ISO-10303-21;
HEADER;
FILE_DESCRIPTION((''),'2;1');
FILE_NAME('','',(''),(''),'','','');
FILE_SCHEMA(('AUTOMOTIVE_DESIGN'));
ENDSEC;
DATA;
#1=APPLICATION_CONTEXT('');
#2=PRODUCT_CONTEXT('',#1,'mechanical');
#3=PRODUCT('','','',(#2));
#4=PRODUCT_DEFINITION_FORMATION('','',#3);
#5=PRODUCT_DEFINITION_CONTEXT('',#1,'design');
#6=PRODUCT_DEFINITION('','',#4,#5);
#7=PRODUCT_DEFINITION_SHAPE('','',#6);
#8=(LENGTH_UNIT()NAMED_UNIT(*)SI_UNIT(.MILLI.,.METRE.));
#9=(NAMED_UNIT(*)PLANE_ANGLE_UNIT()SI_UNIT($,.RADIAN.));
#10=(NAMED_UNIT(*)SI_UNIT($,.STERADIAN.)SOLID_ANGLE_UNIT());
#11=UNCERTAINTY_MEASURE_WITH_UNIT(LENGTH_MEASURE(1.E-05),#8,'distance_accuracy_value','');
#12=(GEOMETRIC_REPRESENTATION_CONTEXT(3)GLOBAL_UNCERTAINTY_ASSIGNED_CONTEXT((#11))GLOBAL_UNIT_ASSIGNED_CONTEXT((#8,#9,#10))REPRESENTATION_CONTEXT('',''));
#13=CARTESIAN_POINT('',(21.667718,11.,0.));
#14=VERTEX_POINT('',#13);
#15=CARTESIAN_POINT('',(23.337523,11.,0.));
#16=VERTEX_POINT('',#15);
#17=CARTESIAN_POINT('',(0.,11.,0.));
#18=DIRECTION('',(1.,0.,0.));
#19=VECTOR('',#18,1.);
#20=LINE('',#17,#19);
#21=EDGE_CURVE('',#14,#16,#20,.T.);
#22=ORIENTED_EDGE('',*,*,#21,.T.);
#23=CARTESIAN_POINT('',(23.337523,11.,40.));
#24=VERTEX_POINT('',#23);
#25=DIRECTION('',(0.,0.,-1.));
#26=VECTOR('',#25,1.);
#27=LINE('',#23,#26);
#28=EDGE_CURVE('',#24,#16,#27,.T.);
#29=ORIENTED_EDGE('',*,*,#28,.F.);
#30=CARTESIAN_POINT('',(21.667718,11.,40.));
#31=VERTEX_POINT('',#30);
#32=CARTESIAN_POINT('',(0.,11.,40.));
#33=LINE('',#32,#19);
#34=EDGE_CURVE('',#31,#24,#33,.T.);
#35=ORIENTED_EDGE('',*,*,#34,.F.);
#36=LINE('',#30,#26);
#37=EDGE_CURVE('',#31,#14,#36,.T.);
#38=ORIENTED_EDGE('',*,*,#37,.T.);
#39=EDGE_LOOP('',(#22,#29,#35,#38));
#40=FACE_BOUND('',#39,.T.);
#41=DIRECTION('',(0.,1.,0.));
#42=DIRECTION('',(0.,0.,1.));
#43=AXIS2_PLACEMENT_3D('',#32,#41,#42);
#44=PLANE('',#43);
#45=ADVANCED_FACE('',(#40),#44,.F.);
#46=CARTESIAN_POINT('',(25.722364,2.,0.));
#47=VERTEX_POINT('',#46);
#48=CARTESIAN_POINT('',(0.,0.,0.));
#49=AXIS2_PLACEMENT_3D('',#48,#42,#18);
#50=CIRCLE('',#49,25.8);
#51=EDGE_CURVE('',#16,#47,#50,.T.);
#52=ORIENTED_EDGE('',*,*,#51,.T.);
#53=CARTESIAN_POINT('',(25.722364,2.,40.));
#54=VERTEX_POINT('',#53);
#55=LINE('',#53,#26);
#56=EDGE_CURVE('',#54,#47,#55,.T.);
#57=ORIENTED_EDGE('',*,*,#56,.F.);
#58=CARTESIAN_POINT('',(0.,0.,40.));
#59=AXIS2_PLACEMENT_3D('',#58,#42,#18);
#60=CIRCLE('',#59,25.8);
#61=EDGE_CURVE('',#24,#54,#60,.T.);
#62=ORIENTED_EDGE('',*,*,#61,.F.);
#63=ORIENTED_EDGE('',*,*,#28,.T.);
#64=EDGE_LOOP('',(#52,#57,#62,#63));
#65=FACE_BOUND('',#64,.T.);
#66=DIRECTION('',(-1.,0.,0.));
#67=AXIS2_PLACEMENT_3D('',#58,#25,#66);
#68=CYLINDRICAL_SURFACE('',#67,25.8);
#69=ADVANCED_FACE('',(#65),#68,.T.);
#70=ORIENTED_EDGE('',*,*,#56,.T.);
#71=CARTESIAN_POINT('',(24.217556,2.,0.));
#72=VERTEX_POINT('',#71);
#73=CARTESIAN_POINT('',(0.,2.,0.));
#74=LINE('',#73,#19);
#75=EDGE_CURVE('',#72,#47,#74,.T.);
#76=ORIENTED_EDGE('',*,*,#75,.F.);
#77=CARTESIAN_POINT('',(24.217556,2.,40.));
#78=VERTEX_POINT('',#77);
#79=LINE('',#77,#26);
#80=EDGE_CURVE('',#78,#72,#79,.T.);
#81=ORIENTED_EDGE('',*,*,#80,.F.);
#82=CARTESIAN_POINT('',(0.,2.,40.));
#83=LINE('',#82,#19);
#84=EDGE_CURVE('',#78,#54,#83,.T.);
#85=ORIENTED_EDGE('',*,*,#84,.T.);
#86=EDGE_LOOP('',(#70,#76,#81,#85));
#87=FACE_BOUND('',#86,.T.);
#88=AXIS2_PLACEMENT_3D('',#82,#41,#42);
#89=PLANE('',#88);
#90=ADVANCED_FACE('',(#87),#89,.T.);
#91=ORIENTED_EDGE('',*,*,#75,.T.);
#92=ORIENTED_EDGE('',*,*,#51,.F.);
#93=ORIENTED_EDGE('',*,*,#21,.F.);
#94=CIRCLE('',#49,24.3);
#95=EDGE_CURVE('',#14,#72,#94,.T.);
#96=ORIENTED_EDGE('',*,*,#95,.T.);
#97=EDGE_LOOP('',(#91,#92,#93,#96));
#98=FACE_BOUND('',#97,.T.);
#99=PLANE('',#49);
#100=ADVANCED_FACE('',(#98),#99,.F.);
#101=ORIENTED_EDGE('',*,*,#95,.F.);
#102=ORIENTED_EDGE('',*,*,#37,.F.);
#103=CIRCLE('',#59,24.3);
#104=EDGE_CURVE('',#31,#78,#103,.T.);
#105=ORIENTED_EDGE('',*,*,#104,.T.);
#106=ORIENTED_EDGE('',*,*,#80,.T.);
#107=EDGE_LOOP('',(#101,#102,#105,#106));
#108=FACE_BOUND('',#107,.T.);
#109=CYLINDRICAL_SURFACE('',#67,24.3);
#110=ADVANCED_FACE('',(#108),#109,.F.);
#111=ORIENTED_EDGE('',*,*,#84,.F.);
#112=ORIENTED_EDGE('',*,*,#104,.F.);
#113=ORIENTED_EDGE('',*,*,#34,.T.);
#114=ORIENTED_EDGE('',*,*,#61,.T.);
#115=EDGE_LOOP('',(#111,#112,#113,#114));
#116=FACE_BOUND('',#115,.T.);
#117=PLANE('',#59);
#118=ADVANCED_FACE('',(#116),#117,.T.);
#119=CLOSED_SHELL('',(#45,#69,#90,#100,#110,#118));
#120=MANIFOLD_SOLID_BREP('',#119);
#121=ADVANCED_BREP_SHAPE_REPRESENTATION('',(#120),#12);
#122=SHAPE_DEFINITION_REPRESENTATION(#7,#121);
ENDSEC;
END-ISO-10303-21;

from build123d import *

# Parameters (mm, degrees)
EXTRUDE_1_DEPTH = 40


with BuildPart() as part:
    # Эскиз1 → Бобышка-Вытянуть1 (new body)
    with BuildSketch(Plane.XY):
        with BuildLine():
            Line((0, 25.8), (0, 24.3))
            ThreePointArc((0, 24.3), (12.712002203, 20.709780298), (21.667717923, 11))
            Line((21.667717923, 11), (23.337523433, 11))
            ThreePointArc((23.337523433, 11), (13.81738036, 21.78807013), (0, 25.8))
        make_face()
        with BuildLine():
            ThreePointArc((24.217555616, 2), (-16.460407042, -17.875821659), (0, 24.3))
            Line((0, 24.3), (0, 25.8))
            ThreePointArc((0, 25.8), (-17.521986189, -18.93726485), (25.722363811, 2))
            Line((25.722363811, 2), (24.217555616, 2))
        make_face()
    extrude(amount=EXTRUDE_1_DEPTH)


solid = part.part
